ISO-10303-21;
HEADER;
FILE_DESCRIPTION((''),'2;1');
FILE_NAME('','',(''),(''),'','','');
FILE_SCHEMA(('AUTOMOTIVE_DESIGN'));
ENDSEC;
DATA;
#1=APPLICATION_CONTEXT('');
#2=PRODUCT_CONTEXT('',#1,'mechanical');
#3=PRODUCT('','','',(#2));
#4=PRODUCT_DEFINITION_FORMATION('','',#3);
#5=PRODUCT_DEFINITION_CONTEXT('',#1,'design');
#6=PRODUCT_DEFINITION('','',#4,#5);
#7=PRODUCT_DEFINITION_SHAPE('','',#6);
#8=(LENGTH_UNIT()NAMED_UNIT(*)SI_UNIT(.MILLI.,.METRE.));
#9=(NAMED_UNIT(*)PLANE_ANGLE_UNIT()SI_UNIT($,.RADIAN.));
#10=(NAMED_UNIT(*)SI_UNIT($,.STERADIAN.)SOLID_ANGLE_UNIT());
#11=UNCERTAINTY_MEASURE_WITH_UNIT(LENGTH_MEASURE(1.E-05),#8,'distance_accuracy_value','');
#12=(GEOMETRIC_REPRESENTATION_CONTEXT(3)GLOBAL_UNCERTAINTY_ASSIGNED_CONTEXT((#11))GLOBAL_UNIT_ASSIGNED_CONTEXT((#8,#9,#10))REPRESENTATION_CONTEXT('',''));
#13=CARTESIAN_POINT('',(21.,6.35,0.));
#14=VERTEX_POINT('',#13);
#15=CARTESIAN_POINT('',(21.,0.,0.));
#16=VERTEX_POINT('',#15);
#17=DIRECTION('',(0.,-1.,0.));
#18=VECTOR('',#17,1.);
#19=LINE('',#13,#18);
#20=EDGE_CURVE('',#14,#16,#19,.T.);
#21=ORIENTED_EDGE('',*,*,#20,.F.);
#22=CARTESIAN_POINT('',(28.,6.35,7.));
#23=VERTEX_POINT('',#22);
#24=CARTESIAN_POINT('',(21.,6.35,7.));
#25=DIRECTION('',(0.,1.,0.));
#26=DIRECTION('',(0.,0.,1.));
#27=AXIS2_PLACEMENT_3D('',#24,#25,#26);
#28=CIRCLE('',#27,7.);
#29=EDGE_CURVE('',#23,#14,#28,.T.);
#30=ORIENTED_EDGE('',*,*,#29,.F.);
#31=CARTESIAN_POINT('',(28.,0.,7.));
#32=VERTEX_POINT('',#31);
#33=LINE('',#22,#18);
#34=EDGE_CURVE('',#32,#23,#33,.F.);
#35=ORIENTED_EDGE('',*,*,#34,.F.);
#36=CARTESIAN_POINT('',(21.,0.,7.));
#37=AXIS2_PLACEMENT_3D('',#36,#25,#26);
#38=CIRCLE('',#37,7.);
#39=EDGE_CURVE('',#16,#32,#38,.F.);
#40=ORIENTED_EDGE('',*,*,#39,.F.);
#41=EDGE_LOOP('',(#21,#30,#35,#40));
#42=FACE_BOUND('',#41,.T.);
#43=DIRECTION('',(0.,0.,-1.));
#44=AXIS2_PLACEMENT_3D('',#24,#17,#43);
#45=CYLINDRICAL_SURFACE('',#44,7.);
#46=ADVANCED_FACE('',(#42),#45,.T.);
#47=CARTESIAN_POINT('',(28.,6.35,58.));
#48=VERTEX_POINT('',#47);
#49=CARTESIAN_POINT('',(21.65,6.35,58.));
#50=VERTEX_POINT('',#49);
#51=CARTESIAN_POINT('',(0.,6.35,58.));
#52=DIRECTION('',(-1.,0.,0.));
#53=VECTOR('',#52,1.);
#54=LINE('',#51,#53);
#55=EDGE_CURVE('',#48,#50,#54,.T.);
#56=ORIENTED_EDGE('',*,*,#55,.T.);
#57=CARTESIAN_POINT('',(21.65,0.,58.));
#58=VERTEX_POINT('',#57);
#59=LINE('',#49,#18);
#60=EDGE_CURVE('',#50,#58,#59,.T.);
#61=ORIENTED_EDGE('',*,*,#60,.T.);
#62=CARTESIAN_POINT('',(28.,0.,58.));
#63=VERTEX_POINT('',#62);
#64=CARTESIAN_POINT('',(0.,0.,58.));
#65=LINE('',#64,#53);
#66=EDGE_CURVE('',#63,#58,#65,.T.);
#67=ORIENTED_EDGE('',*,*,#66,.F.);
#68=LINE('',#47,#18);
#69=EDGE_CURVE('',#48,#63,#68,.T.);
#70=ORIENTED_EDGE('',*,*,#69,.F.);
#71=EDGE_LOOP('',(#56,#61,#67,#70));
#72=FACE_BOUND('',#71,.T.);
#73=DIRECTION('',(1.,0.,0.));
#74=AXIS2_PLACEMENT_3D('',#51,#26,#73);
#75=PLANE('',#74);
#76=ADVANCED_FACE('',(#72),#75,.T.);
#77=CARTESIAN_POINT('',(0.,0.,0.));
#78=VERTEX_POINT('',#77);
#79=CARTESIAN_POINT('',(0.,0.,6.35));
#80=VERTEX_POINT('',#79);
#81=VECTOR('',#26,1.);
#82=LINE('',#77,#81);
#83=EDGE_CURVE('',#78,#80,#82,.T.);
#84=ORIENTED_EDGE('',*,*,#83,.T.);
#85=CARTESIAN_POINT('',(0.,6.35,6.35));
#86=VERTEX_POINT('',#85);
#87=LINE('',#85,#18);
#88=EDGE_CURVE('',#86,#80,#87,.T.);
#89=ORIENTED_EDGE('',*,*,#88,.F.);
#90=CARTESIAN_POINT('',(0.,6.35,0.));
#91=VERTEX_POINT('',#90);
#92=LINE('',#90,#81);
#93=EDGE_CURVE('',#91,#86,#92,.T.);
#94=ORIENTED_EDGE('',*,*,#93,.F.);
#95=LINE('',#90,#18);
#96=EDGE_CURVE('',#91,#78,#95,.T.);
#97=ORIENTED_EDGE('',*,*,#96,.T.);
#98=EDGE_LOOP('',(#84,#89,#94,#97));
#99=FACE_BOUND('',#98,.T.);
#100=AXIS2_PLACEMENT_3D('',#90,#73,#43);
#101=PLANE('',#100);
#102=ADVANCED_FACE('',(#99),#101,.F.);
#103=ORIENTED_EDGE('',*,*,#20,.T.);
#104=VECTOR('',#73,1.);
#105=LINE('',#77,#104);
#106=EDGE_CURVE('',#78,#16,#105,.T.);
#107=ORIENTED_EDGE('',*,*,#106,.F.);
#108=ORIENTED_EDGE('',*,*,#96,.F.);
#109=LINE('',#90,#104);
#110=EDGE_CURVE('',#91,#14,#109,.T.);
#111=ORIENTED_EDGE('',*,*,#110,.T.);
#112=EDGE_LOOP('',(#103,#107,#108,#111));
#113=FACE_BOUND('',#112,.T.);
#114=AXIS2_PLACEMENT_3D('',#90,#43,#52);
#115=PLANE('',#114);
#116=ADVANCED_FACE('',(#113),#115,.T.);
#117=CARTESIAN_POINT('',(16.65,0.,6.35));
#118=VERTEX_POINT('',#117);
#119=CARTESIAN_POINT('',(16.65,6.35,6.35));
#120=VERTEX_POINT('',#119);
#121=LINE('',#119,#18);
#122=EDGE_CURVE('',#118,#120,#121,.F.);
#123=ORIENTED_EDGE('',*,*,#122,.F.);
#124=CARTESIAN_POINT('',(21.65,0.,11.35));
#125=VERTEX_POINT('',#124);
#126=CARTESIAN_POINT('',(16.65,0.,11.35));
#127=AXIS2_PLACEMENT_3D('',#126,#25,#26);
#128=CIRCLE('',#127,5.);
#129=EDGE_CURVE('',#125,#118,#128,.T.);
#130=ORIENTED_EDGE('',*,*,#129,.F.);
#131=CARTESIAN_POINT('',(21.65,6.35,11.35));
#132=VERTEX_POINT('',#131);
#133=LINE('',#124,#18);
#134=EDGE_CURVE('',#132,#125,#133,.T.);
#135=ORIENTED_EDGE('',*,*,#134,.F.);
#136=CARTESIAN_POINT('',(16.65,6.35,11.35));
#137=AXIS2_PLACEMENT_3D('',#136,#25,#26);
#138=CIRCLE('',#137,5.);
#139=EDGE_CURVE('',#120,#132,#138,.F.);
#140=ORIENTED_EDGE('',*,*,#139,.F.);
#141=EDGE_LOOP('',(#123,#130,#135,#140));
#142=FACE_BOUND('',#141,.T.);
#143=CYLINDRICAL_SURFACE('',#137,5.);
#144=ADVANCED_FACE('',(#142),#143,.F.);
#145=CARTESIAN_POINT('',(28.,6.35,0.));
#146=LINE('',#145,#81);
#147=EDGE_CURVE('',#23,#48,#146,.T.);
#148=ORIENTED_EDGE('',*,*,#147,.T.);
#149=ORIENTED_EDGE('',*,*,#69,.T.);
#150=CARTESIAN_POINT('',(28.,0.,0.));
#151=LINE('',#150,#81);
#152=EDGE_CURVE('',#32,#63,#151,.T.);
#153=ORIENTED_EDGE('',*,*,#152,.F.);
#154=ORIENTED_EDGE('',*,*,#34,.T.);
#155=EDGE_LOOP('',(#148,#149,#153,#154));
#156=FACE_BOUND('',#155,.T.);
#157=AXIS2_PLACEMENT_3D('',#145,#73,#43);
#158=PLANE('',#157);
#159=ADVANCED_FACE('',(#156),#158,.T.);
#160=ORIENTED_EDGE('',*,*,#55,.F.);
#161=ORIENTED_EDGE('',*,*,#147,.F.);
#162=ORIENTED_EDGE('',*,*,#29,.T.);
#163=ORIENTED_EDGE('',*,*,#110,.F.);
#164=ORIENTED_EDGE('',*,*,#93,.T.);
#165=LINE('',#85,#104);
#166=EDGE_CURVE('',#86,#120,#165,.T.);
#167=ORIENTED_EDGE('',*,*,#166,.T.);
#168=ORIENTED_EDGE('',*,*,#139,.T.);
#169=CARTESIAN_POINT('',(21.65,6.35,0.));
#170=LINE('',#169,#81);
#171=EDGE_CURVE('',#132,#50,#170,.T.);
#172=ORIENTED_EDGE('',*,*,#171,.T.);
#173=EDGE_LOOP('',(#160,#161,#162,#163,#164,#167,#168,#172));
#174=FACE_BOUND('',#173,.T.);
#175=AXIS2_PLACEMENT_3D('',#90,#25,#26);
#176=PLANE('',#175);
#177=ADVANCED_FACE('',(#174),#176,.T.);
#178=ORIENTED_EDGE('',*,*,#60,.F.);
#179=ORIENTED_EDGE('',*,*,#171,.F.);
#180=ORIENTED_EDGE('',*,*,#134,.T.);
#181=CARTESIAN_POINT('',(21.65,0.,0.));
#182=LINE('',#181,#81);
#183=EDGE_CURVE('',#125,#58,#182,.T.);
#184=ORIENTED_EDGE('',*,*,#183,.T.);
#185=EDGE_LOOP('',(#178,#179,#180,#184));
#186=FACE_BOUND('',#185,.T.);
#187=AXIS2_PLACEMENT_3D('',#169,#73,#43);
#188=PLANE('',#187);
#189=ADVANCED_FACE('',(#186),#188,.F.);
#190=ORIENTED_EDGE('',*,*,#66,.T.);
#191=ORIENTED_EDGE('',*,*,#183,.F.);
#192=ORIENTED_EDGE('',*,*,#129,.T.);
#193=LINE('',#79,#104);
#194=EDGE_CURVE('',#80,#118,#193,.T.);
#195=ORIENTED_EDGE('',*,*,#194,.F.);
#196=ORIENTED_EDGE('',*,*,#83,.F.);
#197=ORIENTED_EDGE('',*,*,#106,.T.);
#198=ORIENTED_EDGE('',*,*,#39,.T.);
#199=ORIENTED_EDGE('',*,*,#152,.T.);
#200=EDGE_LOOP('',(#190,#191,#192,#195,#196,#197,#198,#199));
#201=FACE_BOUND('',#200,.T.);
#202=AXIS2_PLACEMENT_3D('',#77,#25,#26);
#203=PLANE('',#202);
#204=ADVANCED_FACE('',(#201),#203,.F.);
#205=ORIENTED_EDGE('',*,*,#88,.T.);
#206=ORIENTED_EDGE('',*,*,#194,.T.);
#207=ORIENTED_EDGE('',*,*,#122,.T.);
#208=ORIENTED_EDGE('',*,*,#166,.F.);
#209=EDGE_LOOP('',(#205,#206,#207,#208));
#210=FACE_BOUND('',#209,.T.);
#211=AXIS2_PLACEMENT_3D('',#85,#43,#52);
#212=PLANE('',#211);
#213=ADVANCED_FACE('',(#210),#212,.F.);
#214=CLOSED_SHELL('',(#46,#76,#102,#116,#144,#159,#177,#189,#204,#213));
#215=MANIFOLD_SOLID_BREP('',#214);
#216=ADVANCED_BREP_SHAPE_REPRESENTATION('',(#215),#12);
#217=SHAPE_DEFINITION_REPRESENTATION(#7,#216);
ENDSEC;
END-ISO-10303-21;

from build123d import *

# Parameters (mm, degrees)
SKETCH9_W           = 21.65
SKETCH9_H           = 6.35
SKETCH9_W_2         = 6.35
SKETCH9_H_2         = 51.65
BOSS_EXTRUDE1_DEPTH = 6.35
FILLET2_R           = 5
FILLET3_R           = 7


with BuildPart() as part:
    # Sketch9 → Boss-Extrude1 (new body)
    with BuildSketch(Plane(origin=(0, 0, 0), x_dir=(1, 0, 0), z_dir=(0, 1, 0))):
        with Locations((10.825, -3.175)):
            Rectangle(SKETCH9_W, SKETCH9_H)
        with Locations((24.825, -3.175)):
            Rectangle(SKETCH9_W_2, SKETCH9_H)
        with Locations((24.825, -32.175)):
            Rectangle(SKETCH9_W_2, SKETCH9_H_2)
    extrude(amount=BOSS_EXTRUDE1_DEPTH)

    # Fillet2
    fillet2_edges = [part.edges().sort_by_distance(p)[0] for p in [
        (21.65, 3.175, 6.35),
    ]]
    fillet(fillet2_edges, radius=FILLET2_R)

    # Fillet3
    fillet3_edges = [part.edges().sort_by_distance(p)[0] for p in [
        (28, 3.175, 0),
    ]]
    fillet(fillet3_edges, radius=FILLET3_R)


solid = part.part
